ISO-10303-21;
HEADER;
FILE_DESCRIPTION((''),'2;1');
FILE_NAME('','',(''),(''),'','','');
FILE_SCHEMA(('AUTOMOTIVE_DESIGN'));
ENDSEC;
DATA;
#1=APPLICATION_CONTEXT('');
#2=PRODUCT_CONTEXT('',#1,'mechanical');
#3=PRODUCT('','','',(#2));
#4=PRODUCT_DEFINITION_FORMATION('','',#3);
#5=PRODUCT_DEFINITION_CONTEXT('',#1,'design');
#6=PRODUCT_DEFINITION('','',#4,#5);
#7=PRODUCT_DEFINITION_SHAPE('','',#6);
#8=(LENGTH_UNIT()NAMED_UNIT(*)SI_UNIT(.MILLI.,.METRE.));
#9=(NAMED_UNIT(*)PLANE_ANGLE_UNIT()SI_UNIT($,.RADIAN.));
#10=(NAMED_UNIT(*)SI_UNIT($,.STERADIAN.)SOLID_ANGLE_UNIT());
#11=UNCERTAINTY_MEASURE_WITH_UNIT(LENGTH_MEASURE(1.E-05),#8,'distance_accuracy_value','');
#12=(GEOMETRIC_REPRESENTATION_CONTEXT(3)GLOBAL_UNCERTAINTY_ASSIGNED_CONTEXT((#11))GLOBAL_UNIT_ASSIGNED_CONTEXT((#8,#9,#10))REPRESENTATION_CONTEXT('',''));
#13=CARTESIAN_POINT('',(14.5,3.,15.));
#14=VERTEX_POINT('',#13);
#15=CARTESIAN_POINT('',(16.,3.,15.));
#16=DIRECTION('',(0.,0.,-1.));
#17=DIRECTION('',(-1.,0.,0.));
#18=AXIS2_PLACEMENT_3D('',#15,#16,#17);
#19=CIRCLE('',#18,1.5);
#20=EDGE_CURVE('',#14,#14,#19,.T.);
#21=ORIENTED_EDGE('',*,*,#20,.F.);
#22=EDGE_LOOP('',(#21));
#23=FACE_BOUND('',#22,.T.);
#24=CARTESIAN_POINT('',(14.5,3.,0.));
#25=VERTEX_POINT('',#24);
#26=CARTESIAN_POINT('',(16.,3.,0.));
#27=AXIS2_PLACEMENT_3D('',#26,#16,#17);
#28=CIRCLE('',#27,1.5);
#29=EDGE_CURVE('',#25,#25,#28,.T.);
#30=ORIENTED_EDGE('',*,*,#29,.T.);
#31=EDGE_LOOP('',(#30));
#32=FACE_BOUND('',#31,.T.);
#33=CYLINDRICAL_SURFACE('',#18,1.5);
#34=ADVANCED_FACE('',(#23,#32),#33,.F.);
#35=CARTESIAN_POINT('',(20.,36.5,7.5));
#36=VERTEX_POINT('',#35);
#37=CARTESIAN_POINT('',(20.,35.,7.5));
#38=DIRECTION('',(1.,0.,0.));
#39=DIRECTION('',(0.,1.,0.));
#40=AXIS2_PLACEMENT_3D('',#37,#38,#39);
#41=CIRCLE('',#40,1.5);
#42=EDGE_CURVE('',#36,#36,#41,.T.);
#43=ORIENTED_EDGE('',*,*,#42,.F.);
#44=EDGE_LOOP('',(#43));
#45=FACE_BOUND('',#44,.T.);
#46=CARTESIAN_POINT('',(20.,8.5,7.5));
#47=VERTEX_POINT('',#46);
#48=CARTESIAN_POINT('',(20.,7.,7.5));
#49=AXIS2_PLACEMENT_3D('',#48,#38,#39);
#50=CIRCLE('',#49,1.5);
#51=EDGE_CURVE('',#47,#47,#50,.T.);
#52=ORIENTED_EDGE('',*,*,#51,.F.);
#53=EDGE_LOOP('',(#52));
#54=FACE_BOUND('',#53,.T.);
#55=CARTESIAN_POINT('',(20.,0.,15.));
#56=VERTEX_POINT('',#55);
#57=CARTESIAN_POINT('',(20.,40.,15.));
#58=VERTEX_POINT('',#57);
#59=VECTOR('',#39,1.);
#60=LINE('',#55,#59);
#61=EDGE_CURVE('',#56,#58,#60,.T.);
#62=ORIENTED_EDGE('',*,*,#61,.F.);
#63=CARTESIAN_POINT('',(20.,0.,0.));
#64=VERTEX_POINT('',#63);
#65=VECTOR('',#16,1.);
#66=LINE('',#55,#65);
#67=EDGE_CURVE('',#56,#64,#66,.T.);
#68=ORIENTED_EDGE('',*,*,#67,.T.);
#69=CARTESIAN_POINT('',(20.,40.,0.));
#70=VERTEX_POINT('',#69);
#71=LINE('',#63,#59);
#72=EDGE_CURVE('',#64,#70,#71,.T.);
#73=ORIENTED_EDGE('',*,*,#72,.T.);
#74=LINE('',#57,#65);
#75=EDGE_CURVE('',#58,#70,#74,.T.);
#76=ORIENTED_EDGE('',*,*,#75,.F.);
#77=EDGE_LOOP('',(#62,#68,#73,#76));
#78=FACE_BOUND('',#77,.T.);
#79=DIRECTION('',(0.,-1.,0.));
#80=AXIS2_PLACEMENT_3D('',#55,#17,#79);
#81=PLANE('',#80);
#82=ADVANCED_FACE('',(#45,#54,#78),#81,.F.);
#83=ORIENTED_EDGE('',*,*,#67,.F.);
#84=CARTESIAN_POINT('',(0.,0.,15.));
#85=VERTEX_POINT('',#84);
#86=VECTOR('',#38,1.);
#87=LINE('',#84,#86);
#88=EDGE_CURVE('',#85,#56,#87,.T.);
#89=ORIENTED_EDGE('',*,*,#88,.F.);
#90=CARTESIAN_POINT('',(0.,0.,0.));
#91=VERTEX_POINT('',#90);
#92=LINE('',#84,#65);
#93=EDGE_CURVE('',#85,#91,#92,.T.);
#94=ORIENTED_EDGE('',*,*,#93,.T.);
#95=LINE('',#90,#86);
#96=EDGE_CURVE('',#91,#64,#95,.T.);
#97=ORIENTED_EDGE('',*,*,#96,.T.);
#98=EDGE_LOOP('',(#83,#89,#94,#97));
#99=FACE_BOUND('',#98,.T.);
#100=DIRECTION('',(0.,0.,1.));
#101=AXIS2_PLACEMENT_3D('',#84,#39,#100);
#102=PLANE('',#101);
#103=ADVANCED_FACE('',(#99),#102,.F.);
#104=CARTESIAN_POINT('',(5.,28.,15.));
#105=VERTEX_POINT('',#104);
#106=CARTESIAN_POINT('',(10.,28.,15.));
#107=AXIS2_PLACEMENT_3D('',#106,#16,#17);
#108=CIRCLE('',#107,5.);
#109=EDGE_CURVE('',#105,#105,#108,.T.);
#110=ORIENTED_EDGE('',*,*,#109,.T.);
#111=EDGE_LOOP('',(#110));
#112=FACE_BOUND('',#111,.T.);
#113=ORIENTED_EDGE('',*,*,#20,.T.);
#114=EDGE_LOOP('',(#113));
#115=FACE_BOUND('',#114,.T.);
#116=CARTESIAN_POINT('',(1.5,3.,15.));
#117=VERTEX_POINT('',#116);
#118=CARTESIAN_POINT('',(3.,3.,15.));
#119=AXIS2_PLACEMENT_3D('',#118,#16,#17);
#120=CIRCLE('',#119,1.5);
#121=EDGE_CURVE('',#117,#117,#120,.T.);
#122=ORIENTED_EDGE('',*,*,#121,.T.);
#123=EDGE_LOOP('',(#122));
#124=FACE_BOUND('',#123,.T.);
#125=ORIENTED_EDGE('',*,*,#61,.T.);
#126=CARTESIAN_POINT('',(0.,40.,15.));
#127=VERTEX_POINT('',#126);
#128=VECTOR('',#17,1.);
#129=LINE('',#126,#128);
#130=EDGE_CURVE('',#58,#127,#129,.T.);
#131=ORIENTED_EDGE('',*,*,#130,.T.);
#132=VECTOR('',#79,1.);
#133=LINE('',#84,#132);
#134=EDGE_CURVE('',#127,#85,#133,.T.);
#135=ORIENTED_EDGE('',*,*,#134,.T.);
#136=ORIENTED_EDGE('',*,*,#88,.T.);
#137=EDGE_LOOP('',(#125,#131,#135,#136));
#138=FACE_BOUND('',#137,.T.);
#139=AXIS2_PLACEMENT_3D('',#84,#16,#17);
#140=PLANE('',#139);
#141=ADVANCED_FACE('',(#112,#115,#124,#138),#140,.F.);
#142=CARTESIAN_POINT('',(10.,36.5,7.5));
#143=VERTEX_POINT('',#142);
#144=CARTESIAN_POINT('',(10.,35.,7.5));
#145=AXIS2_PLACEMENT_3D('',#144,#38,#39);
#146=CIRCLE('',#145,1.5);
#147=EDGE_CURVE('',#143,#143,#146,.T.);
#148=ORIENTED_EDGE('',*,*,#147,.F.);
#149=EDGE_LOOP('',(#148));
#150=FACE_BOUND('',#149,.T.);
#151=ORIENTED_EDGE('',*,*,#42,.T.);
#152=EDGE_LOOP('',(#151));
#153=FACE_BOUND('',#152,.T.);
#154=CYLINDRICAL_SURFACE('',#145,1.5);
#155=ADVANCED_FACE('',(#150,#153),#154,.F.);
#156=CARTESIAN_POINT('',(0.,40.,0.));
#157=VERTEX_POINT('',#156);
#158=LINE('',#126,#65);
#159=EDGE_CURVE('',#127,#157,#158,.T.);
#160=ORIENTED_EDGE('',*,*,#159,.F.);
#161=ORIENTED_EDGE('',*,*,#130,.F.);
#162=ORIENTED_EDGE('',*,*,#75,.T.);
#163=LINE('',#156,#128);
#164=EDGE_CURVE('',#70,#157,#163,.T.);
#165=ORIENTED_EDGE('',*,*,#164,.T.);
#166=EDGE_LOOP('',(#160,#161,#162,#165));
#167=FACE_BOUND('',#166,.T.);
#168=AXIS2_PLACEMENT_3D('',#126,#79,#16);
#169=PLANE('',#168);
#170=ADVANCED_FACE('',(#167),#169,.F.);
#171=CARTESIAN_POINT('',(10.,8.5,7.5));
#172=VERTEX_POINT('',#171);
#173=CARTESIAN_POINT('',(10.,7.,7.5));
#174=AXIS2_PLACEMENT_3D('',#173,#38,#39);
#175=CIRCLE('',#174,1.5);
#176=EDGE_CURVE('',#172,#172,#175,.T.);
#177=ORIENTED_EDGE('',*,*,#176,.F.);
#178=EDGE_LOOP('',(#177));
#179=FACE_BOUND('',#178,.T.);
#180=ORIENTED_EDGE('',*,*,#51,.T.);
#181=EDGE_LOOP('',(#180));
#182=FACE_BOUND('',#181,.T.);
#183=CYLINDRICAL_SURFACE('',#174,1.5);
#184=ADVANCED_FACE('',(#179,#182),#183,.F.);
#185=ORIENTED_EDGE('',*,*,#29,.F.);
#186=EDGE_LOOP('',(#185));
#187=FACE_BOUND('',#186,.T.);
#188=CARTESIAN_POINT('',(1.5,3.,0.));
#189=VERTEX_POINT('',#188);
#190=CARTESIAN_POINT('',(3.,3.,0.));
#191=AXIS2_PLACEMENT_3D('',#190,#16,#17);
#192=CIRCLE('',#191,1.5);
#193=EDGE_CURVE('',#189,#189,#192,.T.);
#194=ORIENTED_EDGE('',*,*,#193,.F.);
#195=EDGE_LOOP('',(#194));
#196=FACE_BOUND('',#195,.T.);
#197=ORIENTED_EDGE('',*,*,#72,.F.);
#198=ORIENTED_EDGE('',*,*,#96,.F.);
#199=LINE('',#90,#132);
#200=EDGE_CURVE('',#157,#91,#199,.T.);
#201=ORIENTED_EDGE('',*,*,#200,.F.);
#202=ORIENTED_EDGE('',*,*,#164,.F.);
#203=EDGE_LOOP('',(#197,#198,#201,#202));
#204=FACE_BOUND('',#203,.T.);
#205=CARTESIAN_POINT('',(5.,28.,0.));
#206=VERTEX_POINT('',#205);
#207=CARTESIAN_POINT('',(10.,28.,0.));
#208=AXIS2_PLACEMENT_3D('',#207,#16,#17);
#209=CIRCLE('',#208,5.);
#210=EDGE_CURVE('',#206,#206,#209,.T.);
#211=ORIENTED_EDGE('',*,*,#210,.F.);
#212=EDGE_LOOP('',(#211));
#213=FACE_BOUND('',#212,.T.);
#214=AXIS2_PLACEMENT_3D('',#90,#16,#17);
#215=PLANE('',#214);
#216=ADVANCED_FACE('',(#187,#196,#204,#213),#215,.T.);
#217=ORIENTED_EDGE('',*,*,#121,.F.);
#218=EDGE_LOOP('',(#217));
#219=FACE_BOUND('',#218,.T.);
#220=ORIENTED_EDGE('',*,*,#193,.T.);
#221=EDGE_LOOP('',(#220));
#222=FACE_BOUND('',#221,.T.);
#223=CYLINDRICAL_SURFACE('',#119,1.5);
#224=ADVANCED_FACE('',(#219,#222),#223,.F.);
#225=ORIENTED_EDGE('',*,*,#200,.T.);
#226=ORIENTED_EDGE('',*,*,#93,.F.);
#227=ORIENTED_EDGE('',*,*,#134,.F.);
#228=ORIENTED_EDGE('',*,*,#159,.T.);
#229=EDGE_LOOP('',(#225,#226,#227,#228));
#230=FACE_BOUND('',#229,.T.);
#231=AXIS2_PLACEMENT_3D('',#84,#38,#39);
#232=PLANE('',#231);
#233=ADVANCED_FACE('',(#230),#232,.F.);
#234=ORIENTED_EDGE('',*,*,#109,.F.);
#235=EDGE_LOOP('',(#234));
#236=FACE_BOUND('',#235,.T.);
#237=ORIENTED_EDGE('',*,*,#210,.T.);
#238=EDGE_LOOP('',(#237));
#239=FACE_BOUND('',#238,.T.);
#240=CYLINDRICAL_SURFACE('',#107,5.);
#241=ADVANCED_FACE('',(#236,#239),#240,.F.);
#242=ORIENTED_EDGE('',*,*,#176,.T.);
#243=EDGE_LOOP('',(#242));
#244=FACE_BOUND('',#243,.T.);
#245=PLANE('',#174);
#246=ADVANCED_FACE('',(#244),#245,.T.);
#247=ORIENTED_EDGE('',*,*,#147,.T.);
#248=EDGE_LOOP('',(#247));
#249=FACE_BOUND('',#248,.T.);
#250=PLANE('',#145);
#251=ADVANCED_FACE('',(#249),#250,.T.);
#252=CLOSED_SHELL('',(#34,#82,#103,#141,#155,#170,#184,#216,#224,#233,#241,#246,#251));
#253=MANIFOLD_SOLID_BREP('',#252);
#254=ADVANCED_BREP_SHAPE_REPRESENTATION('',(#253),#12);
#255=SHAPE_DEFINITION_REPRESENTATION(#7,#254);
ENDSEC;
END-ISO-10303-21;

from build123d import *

# Parameters (mm, degrees)
ESQUISSE1_W             = 20
ESQUISSE1_H             = 40
BOSS_EXTRU_1_DEPTH      = 15
ESQUISSE2_R             = 1.5
ENL_V_MAT_EXTRU_1_DEPTH = 10
ESQUISSE3_R             = 1.5
ENL_V_MAT_EXTRU_2_DEPTH = 48.16990566
ESQUISSE4_R             = 5
ENL_V_MAT_EXTRU_3_DEPTH = 48.16990566


with BuildPart() as part:
    # Esquisse1 → Boss.-Extru.1 (new body)
    with BuildSketch(Plane.XY):
        with Locations((10, 20)):
            Rectangle(ESQUISSE1_W, ESQUISSE1_H)
    extrude(amount=BOSS_EXTRU_1_DEPTH)

    # Esquisse2 → Enlèv. mat.-Extru.1 (cut)
    with BuildSketch(Plane(origin=(20, 0, 0), x_dir=(0, 0, -1), z_dir=(1, 0, 0))):
        with Locations(Location((-7.5, 35, 0), (0, 0, 90))):
            Circle(ESQUISSE2_R)
        with Locations(Location((-7.5, 7, 0), (0, 0, 90))):
            Circle(ESQUISSE2_R)
    extrude(amount=-ENL_V_MAT_EXTRU_1_DEPTH, mode=Mode.SUBTRACT)

    # Esquisse3 → Enlèv. mat.-Extru.2 (cut, through all)
    with BuildSketch(Plane(origin=(0, 0, 0), x_dir=(-1, 0, 0), z_dir=(0, 0, -1))):
        with Locations((-16, 3)):
            Circle(ESQUISSE3_R)
        with Locations((-3, 3)):
            Circle(ESQUISSE3_R)
    extrude(amount=-ENL_V_MAT_EXTRU_2_DEPTH, mode=Mode.SUBTRACT)

    # Esquisse4 → Enlèv. mat.-Extru.3 (cut, through all)
    with BuildSketch(Plane(origin=(0, 0, 0), x_dir=(-1, 0, 0), z_dir=(0, 0, -1))):
        with Locations((-10, 28)):
            Circle(ESQUISSE4_R)
    extrude(amount=-ENL_V_MAT_EXTRU_3_DEPTH, mode=Mode.SUBTRACT)


solid = part.part
